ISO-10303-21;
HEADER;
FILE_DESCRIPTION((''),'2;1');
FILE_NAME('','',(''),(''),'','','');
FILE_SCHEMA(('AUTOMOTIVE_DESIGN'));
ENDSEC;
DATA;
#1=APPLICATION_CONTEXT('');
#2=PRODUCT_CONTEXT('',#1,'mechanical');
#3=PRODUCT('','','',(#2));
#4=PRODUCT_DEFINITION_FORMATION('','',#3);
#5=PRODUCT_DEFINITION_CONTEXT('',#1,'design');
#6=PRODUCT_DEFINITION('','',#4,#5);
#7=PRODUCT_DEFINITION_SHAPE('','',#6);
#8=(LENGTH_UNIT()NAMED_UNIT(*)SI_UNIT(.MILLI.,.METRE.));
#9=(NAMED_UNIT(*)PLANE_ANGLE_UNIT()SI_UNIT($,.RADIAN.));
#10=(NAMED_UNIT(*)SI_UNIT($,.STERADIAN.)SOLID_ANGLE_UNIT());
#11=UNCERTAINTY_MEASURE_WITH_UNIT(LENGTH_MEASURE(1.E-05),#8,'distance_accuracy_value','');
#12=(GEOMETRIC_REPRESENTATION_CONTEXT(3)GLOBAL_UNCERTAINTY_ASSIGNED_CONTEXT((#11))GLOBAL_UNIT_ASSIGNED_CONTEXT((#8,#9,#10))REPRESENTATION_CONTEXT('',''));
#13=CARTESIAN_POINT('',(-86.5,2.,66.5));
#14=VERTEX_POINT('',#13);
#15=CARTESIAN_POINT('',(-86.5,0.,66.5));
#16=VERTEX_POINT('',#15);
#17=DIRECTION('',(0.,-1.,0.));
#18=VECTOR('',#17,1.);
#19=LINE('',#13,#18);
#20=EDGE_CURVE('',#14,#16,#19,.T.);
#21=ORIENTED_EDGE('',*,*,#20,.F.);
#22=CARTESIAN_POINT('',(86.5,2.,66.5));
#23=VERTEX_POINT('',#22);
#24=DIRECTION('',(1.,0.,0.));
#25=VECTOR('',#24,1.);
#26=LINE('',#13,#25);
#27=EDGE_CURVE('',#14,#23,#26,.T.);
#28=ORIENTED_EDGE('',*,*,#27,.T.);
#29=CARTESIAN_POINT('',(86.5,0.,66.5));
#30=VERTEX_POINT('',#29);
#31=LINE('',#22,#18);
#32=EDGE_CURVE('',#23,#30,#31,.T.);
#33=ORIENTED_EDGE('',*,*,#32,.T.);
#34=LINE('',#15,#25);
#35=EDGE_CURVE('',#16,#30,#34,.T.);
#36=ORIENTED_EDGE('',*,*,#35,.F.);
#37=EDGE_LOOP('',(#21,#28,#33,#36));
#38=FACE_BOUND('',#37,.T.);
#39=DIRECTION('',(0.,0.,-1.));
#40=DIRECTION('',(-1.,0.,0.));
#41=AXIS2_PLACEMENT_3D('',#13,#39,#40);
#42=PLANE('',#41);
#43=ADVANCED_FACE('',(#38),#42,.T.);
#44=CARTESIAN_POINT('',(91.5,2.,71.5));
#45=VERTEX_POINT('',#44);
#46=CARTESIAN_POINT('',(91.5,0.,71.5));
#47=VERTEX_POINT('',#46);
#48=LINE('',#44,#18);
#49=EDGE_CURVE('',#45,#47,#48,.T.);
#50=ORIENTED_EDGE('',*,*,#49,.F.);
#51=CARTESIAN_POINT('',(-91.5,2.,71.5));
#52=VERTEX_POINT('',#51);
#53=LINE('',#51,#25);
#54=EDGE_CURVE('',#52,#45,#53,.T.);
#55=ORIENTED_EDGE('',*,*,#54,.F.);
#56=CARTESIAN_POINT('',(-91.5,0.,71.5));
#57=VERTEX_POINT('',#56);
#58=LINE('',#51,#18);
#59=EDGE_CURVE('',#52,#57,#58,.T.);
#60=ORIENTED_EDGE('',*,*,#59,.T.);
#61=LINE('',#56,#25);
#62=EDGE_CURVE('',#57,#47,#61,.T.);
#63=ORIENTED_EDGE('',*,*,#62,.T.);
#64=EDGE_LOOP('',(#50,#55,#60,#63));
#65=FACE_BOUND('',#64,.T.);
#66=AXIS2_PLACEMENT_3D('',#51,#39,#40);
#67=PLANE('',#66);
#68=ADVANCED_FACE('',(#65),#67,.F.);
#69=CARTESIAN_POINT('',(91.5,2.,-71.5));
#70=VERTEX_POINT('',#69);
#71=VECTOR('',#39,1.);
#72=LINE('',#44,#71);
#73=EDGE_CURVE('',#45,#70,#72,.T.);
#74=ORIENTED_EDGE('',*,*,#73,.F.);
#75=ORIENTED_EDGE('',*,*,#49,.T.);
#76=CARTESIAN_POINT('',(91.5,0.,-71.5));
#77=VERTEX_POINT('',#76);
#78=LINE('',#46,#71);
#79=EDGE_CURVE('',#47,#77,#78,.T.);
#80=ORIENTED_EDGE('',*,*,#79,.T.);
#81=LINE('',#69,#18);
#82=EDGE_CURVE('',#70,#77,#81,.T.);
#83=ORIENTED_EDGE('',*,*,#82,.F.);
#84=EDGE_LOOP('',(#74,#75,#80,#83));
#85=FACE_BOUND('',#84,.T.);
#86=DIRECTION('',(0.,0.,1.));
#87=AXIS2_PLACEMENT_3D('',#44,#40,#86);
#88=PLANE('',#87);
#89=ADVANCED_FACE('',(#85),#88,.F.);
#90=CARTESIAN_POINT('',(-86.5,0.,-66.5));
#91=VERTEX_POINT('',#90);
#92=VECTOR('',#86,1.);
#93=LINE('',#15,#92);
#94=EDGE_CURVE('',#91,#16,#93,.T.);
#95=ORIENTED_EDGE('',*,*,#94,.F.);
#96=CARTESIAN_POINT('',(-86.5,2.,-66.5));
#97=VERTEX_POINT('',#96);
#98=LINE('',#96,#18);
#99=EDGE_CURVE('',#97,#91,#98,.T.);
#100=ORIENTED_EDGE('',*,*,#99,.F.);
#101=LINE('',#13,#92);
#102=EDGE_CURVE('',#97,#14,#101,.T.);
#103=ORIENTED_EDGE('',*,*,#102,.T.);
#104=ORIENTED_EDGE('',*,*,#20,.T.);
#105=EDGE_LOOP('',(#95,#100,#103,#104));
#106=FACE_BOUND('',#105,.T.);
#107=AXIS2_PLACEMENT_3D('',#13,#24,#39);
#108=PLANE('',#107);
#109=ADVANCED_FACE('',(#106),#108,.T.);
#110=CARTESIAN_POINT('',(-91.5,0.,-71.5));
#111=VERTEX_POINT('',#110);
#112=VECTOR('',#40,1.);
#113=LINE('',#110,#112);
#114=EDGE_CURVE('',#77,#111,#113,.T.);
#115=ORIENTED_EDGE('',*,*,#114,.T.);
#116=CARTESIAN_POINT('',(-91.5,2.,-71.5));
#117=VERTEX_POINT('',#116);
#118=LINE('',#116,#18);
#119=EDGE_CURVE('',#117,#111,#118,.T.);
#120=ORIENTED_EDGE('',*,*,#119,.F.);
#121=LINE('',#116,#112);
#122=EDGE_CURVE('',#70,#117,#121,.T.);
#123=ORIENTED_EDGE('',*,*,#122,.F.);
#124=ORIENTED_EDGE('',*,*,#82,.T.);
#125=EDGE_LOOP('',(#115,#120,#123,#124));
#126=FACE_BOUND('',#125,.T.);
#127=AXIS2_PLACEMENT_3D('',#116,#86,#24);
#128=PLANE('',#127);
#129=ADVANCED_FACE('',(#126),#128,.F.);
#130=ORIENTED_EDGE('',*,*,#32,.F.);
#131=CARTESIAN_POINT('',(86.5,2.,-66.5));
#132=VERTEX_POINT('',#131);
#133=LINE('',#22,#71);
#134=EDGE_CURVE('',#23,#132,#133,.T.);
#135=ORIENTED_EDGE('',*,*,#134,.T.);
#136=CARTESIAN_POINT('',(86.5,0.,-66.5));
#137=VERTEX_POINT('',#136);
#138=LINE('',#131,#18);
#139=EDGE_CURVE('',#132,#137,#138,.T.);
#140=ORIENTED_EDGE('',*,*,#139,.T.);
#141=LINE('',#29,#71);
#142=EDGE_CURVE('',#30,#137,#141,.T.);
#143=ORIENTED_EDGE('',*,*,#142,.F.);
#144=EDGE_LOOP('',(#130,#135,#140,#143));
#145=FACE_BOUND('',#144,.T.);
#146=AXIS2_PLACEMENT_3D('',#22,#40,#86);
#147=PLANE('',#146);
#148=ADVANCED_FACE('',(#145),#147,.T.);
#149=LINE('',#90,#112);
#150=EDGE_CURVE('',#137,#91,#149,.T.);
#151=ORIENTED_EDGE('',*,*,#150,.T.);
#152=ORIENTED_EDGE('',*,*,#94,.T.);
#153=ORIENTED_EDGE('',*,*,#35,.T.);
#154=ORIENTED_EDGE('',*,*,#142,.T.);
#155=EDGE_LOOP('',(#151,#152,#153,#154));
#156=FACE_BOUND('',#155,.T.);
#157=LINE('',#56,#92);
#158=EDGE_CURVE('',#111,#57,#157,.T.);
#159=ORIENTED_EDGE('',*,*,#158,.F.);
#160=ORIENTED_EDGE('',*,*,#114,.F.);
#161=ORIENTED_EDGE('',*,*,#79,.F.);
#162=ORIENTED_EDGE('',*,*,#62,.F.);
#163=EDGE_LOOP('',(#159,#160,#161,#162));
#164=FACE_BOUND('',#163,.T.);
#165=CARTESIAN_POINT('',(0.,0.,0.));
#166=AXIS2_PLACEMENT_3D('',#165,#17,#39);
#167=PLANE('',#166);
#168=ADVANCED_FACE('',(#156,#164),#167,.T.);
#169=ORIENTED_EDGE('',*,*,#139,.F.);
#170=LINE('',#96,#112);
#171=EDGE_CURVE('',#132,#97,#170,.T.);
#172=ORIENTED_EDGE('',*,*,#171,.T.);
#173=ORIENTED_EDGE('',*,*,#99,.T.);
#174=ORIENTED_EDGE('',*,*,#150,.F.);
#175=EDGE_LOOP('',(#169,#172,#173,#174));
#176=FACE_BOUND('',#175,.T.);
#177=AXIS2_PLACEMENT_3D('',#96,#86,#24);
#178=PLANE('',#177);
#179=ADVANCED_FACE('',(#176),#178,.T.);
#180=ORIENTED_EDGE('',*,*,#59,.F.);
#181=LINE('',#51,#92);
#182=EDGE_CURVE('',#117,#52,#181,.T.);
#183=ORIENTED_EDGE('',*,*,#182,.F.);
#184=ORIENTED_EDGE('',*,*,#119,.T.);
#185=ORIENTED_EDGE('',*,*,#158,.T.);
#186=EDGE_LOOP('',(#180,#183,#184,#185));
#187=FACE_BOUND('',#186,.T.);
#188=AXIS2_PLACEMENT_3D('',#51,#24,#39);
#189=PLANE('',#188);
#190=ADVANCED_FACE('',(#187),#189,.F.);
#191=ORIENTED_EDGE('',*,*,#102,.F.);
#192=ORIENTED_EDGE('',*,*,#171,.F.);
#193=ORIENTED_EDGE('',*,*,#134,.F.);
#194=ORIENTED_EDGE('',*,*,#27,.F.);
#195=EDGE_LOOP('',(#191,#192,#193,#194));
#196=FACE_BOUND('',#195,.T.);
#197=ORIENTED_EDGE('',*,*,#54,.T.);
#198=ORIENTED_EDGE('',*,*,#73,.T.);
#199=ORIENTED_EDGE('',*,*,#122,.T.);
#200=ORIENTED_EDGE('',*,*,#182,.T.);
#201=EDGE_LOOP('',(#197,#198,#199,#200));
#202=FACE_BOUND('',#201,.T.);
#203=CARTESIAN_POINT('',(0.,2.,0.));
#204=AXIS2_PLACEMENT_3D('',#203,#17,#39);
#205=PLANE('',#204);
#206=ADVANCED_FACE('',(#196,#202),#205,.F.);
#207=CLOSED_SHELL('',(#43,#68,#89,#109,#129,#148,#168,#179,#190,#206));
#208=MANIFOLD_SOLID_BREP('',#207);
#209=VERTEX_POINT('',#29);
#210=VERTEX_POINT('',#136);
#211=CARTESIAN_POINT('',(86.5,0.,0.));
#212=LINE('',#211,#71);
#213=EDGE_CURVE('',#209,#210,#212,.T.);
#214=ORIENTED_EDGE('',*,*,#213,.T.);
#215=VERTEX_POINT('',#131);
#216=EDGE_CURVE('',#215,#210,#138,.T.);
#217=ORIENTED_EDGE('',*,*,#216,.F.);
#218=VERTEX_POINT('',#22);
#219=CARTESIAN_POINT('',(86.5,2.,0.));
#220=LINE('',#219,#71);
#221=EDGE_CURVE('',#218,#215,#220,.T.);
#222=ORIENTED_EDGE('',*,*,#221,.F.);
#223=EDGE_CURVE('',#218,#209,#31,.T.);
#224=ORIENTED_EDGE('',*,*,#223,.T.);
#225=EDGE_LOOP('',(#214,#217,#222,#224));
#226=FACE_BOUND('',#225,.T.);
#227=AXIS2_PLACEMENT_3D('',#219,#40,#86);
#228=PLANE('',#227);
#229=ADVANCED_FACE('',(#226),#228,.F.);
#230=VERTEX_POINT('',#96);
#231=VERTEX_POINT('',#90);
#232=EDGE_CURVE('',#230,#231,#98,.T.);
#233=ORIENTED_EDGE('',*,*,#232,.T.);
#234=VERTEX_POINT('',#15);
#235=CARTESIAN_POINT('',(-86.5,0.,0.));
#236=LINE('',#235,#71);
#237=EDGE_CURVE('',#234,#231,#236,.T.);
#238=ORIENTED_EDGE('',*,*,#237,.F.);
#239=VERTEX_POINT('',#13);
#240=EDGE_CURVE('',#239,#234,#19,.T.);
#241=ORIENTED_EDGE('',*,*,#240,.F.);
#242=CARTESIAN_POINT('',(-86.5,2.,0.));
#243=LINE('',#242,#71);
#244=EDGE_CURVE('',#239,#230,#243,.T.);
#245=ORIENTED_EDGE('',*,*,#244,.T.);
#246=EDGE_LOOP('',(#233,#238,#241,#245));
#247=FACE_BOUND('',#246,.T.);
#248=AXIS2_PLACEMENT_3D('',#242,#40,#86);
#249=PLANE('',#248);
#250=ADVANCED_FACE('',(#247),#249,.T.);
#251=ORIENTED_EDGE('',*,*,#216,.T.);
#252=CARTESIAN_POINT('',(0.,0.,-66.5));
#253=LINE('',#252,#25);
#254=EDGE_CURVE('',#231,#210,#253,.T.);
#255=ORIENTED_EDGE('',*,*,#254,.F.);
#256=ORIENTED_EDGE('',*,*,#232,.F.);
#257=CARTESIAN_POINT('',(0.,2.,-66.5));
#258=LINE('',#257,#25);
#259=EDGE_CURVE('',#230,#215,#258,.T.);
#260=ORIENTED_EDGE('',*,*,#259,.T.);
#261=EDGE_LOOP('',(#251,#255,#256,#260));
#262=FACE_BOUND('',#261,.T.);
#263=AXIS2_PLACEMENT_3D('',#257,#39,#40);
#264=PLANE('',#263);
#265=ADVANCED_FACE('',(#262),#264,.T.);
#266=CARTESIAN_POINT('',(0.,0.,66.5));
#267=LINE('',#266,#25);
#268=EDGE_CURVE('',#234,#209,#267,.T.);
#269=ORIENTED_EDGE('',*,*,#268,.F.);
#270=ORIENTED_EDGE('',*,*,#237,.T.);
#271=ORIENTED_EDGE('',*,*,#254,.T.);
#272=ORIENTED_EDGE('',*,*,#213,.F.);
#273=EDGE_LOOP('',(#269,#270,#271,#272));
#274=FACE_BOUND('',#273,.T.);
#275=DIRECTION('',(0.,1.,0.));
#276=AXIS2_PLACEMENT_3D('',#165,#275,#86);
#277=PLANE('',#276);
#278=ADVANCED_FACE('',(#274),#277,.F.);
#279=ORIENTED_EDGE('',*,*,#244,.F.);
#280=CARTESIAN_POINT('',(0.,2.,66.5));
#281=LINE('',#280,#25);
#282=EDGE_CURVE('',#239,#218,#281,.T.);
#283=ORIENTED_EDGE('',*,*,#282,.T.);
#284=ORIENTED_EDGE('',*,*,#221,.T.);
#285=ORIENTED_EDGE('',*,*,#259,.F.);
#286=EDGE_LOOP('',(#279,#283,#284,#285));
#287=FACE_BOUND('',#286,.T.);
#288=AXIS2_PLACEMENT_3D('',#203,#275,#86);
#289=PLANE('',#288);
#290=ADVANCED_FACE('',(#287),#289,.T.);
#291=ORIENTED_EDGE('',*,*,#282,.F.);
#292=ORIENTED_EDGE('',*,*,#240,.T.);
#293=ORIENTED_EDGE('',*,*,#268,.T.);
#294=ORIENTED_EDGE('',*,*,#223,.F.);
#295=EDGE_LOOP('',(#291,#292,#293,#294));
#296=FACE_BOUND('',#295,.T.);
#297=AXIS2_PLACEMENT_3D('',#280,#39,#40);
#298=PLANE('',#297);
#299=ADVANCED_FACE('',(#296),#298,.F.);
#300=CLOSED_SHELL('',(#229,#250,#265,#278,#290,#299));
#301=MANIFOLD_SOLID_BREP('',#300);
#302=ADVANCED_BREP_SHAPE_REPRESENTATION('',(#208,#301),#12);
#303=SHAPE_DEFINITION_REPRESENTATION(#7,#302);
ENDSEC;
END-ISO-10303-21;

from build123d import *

# Parameters (mm, degrees)
SKETCH1_W           = 183
SKETCH1_H           = 143
SKETCH1_W_2         = 173
SKETCH1_H_2         = 133
BOSS_EXTRUDE1_DEPTH = 2
SKETCH1_2_W         = 173
SKETCH1_2_H         = 133
BOSS_EXTRUDE2_DEPTH = 2


with BuildPart() as part:
    # Sketch1 → Boss-Extrude1 (new body)
    with BuildSketch(Plane(origin=(0, 0, 0), x_dir=(1, 0, 0), z_dir=(0, 1, 0))):
        Rectangle(SKETCH1_W, SKETCH1_H)
        Rectangle(SKETCH1_W_2, SKETCH1_H_2, mode=Mode.SUBTRACT)
    extrude(amount=BOSS_EXTRUDE1_DEPTH)


with BuildPart() as body_2:
    # Sketch1<2> → Boss-Extrude2 (new body)
    with BuildSketch(Plane(origin=(0, 0, 0), x_dir=(1, 0, 0), z_dir=(0, 1, 0))):
        Rectangle(SKETCH1_2_W, SKETCH1_2_H)
    extrude(amount=BOSS_EXTRUDE2_DEPTH)


solid = Compound([part.part, body_2.part])
